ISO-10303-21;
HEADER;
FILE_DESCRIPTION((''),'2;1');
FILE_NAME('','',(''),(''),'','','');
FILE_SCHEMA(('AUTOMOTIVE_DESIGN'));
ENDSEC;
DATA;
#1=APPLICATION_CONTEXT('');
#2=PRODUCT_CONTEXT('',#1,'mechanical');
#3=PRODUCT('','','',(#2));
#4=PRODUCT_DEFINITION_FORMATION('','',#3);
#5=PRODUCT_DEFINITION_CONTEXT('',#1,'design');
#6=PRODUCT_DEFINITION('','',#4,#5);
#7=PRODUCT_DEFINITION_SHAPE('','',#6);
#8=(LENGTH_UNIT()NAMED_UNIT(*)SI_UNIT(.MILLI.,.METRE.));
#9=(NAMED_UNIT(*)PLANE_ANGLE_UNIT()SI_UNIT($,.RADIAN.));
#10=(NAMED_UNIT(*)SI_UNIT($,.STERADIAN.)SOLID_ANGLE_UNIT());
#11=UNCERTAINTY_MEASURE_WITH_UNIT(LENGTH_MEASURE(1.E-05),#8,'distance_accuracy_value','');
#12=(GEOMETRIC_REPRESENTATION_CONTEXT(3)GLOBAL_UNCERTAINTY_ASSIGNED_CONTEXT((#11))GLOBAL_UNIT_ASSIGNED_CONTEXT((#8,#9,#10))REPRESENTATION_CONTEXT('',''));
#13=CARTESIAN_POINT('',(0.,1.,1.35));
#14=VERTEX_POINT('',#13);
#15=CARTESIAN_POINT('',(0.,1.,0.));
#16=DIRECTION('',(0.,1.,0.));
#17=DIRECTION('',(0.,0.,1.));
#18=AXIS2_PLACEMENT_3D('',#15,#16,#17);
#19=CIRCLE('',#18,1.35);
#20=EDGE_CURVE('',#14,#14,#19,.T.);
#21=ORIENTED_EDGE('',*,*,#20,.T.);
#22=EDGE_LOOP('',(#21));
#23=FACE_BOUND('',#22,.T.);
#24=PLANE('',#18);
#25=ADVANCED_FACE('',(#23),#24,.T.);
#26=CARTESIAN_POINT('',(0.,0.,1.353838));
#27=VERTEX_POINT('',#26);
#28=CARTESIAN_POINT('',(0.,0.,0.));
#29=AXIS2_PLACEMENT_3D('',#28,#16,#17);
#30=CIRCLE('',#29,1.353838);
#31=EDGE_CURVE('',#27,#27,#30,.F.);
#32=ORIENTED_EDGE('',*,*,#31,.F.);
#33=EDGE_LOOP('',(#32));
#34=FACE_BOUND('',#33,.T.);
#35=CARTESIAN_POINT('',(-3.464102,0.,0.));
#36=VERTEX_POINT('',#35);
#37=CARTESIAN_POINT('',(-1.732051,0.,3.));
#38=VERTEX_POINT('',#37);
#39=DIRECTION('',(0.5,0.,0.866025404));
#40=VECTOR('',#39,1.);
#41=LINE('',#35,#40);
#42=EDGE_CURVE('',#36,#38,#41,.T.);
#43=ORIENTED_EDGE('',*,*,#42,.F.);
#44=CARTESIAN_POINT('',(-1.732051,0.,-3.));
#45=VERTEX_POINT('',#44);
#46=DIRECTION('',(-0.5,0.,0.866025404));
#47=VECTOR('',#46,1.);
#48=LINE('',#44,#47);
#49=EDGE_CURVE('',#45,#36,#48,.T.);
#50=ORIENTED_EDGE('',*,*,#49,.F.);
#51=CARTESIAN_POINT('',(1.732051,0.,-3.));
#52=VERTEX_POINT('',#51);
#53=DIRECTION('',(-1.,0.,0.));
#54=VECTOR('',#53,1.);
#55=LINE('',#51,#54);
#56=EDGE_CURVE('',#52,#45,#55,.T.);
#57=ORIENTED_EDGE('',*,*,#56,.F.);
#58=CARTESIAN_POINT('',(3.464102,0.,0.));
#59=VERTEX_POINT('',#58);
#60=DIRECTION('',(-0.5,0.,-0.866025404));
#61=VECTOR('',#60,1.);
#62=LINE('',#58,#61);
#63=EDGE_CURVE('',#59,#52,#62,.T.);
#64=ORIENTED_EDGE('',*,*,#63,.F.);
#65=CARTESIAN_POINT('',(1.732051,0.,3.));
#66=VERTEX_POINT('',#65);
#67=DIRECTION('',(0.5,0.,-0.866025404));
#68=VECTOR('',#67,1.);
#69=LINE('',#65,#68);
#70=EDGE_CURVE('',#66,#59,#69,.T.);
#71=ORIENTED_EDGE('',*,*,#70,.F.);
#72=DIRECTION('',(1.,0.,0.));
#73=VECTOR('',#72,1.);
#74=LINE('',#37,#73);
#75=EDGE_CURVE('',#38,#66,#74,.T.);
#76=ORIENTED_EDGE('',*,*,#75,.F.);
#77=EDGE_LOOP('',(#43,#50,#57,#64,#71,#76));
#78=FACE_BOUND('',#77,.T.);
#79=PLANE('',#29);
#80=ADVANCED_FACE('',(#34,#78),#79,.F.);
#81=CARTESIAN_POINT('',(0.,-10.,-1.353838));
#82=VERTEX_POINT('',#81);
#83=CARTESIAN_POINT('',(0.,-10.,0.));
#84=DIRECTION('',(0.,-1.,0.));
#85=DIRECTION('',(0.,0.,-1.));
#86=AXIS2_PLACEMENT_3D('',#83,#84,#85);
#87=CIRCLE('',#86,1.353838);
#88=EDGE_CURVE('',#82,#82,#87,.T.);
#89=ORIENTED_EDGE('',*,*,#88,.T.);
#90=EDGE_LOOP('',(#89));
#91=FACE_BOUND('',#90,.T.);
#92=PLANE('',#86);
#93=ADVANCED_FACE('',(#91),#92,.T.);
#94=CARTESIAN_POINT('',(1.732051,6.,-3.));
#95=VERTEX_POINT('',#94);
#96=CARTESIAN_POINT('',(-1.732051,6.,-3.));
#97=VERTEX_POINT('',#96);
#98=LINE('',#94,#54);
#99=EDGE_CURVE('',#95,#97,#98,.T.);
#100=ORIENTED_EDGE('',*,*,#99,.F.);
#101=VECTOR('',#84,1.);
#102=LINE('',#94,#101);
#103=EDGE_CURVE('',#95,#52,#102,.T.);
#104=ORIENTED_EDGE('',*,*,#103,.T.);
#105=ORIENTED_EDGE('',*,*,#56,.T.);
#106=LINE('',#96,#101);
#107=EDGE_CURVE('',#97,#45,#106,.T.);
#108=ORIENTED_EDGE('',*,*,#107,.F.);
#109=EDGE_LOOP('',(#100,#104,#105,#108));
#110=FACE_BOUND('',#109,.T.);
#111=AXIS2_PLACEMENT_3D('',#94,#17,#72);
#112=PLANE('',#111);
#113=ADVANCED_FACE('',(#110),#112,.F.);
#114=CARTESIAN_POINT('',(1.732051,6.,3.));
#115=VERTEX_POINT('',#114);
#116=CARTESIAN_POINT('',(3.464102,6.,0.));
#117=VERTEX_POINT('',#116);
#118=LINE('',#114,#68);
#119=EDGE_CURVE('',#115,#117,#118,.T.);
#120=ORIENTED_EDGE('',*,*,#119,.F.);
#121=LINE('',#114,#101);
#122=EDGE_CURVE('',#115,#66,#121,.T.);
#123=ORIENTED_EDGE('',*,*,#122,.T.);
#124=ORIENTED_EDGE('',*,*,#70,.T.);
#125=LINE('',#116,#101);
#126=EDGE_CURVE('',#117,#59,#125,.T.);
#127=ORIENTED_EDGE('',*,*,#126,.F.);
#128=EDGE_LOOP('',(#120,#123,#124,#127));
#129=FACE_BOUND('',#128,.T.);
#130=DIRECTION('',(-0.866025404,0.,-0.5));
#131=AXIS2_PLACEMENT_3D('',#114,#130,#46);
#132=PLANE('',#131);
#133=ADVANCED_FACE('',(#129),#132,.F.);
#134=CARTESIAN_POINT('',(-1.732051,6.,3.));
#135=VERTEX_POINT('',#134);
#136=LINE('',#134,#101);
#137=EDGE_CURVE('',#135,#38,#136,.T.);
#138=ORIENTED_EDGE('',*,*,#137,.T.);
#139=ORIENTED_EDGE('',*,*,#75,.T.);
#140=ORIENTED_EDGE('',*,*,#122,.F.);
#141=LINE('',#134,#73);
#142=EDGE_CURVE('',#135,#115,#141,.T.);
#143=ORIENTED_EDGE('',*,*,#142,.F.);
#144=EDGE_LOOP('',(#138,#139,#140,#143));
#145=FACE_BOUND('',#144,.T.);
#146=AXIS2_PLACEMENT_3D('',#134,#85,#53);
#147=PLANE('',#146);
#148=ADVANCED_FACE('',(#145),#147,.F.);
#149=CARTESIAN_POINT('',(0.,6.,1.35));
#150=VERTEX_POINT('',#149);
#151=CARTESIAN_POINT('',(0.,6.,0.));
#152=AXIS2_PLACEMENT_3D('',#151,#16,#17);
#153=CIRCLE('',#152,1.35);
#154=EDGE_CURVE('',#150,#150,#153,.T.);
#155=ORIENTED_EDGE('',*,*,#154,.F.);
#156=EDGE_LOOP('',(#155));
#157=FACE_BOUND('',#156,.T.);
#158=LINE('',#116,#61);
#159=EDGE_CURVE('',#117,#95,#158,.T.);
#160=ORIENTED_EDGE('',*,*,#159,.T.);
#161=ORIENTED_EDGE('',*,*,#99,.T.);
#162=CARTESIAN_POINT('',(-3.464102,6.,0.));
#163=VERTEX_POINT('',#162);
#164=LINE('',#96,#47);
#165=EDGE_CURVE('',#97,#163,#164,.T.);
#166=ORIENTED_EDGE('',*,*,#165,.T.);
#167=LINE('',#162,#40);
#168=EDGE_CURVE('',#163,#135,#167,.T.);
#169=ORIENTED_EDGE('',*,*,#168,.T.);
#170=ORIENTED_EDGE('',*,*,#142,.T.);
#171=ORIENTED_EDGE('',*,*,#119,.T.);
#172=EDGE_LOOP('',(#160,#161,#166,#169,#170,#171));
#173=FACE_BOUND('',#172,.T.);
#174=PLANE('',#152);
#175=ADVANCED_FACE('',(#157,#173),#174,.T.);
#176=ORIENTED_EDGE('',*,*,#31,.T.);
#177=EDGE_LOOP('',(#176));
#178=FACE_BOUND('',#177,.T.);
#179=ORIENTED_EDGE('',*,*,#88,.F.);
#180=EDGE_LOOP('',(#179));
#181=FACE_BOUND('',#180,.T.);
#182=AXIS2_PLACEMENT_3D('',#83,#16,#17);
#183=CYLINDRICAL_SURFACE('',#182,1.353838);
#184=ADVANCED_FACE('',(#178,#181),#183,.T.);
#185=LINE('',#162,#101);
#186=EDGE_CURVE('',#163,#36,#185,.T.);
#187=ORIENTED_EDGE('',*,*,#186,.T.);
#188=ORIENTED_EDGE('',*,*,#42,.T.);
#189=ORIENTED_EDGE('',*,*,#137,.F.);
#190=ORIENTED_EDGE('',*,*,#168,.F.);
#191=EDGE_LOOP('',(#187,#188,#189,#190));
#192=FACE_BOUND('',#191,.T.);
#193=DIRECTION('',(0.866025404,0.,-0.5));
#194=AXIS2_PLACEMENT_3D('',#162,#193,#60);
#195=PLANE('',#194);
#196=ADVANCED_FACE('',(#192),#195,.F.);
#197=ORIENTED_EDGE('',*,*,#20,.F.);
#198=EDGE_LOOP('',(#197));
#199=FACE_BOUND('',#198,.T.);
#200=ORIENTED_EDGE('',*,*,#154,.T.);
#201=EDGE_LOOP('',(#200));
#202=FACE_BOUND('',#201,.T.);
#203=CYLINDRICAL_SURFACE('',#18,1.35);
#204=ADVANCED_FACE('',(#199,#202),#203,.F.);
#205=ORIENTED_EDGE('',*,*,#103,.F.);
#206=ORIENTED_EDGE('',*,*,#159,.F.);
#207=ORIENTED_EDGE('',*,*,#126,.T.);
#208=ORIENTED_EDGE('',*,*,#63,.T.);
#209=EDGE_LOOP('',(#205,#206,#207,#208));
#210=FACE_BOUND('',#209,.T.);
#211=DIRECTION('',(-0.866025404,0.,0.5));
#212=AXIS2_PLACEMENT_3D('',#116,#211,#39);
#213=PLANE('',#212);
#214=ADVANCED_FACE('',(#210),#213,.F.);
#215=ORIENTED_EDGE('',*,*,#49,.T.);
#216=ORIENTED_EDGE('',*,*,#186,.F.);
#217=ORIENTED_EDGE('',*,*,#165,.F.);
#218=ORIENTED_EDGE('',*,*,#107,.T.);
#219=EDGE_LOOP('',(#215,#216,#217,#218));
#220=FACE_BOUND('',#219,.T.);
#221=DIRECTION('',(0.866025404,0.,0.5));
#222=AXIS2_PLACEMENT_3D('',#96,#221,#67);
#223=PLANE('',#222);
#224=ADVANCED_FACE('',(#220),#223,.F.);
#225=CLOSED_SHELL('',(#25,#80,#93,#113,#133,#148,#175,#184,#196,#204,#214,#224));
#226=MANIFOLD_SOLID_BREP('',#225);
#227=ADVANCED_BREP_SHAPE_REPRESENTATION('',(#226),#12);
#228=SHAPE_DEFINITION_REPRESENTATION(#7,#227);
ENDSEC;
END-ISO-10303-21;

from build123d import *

# Parameters (mm, degrees)
BOSS_EXTRU_1_DEPTH      = 6
ESQUISSE2_R             = 1.353837959
BOSS_EXTRU_2_DEPTH      = 10
ESQUISSE3_R             = 1.35
ENL_V_MAT_EXTRU_1_DEPTH = 5


with BuildPart() as part:
    # Esquisse1 → Boss.-Extru.1 (new body)
    with BuildSketch(Plane(origin=(0, 0, 0), x_dir=(1, 0, 0), z_dir=(0, 1, 0))):
        Polygon((3.464101615, 0), (1.732050808, 3), (-1.732050808, 3), (-3.464101615, 0), (-1.732050808, -3), (1.732050808, -3), align=None)
    extrude(amount=BOSS_EXTRU_1_DEPTH)

    # Esquisse2 → Boss.-Extru.2 (add)
    with BuildSketch(Plane.XZ):
        with Locations(Location((0, 0, 0), (0, 0, 90))):
            Circle(ESQUISSE2_R)
    extrude(amount=BOSS_EXTRU_2_DEPTH)

    # Esquisse3 → Enlèv. mat.-Extru.1 (cut)
    with BuildSketch(Plane(origin=(0, 6, 0), x_dir=(1, 0, 0), z_dir=(0, 1, 0))):
        with Locations(Location((0, 0, 0), (0, 0, 270))):
            Circle(ESQUISSE3_R)
    extrude(amount=-ENL_V_MAT_EXTRU_1_DEPTH, mode=Mode.SUBTRACT)


solid = part.part
